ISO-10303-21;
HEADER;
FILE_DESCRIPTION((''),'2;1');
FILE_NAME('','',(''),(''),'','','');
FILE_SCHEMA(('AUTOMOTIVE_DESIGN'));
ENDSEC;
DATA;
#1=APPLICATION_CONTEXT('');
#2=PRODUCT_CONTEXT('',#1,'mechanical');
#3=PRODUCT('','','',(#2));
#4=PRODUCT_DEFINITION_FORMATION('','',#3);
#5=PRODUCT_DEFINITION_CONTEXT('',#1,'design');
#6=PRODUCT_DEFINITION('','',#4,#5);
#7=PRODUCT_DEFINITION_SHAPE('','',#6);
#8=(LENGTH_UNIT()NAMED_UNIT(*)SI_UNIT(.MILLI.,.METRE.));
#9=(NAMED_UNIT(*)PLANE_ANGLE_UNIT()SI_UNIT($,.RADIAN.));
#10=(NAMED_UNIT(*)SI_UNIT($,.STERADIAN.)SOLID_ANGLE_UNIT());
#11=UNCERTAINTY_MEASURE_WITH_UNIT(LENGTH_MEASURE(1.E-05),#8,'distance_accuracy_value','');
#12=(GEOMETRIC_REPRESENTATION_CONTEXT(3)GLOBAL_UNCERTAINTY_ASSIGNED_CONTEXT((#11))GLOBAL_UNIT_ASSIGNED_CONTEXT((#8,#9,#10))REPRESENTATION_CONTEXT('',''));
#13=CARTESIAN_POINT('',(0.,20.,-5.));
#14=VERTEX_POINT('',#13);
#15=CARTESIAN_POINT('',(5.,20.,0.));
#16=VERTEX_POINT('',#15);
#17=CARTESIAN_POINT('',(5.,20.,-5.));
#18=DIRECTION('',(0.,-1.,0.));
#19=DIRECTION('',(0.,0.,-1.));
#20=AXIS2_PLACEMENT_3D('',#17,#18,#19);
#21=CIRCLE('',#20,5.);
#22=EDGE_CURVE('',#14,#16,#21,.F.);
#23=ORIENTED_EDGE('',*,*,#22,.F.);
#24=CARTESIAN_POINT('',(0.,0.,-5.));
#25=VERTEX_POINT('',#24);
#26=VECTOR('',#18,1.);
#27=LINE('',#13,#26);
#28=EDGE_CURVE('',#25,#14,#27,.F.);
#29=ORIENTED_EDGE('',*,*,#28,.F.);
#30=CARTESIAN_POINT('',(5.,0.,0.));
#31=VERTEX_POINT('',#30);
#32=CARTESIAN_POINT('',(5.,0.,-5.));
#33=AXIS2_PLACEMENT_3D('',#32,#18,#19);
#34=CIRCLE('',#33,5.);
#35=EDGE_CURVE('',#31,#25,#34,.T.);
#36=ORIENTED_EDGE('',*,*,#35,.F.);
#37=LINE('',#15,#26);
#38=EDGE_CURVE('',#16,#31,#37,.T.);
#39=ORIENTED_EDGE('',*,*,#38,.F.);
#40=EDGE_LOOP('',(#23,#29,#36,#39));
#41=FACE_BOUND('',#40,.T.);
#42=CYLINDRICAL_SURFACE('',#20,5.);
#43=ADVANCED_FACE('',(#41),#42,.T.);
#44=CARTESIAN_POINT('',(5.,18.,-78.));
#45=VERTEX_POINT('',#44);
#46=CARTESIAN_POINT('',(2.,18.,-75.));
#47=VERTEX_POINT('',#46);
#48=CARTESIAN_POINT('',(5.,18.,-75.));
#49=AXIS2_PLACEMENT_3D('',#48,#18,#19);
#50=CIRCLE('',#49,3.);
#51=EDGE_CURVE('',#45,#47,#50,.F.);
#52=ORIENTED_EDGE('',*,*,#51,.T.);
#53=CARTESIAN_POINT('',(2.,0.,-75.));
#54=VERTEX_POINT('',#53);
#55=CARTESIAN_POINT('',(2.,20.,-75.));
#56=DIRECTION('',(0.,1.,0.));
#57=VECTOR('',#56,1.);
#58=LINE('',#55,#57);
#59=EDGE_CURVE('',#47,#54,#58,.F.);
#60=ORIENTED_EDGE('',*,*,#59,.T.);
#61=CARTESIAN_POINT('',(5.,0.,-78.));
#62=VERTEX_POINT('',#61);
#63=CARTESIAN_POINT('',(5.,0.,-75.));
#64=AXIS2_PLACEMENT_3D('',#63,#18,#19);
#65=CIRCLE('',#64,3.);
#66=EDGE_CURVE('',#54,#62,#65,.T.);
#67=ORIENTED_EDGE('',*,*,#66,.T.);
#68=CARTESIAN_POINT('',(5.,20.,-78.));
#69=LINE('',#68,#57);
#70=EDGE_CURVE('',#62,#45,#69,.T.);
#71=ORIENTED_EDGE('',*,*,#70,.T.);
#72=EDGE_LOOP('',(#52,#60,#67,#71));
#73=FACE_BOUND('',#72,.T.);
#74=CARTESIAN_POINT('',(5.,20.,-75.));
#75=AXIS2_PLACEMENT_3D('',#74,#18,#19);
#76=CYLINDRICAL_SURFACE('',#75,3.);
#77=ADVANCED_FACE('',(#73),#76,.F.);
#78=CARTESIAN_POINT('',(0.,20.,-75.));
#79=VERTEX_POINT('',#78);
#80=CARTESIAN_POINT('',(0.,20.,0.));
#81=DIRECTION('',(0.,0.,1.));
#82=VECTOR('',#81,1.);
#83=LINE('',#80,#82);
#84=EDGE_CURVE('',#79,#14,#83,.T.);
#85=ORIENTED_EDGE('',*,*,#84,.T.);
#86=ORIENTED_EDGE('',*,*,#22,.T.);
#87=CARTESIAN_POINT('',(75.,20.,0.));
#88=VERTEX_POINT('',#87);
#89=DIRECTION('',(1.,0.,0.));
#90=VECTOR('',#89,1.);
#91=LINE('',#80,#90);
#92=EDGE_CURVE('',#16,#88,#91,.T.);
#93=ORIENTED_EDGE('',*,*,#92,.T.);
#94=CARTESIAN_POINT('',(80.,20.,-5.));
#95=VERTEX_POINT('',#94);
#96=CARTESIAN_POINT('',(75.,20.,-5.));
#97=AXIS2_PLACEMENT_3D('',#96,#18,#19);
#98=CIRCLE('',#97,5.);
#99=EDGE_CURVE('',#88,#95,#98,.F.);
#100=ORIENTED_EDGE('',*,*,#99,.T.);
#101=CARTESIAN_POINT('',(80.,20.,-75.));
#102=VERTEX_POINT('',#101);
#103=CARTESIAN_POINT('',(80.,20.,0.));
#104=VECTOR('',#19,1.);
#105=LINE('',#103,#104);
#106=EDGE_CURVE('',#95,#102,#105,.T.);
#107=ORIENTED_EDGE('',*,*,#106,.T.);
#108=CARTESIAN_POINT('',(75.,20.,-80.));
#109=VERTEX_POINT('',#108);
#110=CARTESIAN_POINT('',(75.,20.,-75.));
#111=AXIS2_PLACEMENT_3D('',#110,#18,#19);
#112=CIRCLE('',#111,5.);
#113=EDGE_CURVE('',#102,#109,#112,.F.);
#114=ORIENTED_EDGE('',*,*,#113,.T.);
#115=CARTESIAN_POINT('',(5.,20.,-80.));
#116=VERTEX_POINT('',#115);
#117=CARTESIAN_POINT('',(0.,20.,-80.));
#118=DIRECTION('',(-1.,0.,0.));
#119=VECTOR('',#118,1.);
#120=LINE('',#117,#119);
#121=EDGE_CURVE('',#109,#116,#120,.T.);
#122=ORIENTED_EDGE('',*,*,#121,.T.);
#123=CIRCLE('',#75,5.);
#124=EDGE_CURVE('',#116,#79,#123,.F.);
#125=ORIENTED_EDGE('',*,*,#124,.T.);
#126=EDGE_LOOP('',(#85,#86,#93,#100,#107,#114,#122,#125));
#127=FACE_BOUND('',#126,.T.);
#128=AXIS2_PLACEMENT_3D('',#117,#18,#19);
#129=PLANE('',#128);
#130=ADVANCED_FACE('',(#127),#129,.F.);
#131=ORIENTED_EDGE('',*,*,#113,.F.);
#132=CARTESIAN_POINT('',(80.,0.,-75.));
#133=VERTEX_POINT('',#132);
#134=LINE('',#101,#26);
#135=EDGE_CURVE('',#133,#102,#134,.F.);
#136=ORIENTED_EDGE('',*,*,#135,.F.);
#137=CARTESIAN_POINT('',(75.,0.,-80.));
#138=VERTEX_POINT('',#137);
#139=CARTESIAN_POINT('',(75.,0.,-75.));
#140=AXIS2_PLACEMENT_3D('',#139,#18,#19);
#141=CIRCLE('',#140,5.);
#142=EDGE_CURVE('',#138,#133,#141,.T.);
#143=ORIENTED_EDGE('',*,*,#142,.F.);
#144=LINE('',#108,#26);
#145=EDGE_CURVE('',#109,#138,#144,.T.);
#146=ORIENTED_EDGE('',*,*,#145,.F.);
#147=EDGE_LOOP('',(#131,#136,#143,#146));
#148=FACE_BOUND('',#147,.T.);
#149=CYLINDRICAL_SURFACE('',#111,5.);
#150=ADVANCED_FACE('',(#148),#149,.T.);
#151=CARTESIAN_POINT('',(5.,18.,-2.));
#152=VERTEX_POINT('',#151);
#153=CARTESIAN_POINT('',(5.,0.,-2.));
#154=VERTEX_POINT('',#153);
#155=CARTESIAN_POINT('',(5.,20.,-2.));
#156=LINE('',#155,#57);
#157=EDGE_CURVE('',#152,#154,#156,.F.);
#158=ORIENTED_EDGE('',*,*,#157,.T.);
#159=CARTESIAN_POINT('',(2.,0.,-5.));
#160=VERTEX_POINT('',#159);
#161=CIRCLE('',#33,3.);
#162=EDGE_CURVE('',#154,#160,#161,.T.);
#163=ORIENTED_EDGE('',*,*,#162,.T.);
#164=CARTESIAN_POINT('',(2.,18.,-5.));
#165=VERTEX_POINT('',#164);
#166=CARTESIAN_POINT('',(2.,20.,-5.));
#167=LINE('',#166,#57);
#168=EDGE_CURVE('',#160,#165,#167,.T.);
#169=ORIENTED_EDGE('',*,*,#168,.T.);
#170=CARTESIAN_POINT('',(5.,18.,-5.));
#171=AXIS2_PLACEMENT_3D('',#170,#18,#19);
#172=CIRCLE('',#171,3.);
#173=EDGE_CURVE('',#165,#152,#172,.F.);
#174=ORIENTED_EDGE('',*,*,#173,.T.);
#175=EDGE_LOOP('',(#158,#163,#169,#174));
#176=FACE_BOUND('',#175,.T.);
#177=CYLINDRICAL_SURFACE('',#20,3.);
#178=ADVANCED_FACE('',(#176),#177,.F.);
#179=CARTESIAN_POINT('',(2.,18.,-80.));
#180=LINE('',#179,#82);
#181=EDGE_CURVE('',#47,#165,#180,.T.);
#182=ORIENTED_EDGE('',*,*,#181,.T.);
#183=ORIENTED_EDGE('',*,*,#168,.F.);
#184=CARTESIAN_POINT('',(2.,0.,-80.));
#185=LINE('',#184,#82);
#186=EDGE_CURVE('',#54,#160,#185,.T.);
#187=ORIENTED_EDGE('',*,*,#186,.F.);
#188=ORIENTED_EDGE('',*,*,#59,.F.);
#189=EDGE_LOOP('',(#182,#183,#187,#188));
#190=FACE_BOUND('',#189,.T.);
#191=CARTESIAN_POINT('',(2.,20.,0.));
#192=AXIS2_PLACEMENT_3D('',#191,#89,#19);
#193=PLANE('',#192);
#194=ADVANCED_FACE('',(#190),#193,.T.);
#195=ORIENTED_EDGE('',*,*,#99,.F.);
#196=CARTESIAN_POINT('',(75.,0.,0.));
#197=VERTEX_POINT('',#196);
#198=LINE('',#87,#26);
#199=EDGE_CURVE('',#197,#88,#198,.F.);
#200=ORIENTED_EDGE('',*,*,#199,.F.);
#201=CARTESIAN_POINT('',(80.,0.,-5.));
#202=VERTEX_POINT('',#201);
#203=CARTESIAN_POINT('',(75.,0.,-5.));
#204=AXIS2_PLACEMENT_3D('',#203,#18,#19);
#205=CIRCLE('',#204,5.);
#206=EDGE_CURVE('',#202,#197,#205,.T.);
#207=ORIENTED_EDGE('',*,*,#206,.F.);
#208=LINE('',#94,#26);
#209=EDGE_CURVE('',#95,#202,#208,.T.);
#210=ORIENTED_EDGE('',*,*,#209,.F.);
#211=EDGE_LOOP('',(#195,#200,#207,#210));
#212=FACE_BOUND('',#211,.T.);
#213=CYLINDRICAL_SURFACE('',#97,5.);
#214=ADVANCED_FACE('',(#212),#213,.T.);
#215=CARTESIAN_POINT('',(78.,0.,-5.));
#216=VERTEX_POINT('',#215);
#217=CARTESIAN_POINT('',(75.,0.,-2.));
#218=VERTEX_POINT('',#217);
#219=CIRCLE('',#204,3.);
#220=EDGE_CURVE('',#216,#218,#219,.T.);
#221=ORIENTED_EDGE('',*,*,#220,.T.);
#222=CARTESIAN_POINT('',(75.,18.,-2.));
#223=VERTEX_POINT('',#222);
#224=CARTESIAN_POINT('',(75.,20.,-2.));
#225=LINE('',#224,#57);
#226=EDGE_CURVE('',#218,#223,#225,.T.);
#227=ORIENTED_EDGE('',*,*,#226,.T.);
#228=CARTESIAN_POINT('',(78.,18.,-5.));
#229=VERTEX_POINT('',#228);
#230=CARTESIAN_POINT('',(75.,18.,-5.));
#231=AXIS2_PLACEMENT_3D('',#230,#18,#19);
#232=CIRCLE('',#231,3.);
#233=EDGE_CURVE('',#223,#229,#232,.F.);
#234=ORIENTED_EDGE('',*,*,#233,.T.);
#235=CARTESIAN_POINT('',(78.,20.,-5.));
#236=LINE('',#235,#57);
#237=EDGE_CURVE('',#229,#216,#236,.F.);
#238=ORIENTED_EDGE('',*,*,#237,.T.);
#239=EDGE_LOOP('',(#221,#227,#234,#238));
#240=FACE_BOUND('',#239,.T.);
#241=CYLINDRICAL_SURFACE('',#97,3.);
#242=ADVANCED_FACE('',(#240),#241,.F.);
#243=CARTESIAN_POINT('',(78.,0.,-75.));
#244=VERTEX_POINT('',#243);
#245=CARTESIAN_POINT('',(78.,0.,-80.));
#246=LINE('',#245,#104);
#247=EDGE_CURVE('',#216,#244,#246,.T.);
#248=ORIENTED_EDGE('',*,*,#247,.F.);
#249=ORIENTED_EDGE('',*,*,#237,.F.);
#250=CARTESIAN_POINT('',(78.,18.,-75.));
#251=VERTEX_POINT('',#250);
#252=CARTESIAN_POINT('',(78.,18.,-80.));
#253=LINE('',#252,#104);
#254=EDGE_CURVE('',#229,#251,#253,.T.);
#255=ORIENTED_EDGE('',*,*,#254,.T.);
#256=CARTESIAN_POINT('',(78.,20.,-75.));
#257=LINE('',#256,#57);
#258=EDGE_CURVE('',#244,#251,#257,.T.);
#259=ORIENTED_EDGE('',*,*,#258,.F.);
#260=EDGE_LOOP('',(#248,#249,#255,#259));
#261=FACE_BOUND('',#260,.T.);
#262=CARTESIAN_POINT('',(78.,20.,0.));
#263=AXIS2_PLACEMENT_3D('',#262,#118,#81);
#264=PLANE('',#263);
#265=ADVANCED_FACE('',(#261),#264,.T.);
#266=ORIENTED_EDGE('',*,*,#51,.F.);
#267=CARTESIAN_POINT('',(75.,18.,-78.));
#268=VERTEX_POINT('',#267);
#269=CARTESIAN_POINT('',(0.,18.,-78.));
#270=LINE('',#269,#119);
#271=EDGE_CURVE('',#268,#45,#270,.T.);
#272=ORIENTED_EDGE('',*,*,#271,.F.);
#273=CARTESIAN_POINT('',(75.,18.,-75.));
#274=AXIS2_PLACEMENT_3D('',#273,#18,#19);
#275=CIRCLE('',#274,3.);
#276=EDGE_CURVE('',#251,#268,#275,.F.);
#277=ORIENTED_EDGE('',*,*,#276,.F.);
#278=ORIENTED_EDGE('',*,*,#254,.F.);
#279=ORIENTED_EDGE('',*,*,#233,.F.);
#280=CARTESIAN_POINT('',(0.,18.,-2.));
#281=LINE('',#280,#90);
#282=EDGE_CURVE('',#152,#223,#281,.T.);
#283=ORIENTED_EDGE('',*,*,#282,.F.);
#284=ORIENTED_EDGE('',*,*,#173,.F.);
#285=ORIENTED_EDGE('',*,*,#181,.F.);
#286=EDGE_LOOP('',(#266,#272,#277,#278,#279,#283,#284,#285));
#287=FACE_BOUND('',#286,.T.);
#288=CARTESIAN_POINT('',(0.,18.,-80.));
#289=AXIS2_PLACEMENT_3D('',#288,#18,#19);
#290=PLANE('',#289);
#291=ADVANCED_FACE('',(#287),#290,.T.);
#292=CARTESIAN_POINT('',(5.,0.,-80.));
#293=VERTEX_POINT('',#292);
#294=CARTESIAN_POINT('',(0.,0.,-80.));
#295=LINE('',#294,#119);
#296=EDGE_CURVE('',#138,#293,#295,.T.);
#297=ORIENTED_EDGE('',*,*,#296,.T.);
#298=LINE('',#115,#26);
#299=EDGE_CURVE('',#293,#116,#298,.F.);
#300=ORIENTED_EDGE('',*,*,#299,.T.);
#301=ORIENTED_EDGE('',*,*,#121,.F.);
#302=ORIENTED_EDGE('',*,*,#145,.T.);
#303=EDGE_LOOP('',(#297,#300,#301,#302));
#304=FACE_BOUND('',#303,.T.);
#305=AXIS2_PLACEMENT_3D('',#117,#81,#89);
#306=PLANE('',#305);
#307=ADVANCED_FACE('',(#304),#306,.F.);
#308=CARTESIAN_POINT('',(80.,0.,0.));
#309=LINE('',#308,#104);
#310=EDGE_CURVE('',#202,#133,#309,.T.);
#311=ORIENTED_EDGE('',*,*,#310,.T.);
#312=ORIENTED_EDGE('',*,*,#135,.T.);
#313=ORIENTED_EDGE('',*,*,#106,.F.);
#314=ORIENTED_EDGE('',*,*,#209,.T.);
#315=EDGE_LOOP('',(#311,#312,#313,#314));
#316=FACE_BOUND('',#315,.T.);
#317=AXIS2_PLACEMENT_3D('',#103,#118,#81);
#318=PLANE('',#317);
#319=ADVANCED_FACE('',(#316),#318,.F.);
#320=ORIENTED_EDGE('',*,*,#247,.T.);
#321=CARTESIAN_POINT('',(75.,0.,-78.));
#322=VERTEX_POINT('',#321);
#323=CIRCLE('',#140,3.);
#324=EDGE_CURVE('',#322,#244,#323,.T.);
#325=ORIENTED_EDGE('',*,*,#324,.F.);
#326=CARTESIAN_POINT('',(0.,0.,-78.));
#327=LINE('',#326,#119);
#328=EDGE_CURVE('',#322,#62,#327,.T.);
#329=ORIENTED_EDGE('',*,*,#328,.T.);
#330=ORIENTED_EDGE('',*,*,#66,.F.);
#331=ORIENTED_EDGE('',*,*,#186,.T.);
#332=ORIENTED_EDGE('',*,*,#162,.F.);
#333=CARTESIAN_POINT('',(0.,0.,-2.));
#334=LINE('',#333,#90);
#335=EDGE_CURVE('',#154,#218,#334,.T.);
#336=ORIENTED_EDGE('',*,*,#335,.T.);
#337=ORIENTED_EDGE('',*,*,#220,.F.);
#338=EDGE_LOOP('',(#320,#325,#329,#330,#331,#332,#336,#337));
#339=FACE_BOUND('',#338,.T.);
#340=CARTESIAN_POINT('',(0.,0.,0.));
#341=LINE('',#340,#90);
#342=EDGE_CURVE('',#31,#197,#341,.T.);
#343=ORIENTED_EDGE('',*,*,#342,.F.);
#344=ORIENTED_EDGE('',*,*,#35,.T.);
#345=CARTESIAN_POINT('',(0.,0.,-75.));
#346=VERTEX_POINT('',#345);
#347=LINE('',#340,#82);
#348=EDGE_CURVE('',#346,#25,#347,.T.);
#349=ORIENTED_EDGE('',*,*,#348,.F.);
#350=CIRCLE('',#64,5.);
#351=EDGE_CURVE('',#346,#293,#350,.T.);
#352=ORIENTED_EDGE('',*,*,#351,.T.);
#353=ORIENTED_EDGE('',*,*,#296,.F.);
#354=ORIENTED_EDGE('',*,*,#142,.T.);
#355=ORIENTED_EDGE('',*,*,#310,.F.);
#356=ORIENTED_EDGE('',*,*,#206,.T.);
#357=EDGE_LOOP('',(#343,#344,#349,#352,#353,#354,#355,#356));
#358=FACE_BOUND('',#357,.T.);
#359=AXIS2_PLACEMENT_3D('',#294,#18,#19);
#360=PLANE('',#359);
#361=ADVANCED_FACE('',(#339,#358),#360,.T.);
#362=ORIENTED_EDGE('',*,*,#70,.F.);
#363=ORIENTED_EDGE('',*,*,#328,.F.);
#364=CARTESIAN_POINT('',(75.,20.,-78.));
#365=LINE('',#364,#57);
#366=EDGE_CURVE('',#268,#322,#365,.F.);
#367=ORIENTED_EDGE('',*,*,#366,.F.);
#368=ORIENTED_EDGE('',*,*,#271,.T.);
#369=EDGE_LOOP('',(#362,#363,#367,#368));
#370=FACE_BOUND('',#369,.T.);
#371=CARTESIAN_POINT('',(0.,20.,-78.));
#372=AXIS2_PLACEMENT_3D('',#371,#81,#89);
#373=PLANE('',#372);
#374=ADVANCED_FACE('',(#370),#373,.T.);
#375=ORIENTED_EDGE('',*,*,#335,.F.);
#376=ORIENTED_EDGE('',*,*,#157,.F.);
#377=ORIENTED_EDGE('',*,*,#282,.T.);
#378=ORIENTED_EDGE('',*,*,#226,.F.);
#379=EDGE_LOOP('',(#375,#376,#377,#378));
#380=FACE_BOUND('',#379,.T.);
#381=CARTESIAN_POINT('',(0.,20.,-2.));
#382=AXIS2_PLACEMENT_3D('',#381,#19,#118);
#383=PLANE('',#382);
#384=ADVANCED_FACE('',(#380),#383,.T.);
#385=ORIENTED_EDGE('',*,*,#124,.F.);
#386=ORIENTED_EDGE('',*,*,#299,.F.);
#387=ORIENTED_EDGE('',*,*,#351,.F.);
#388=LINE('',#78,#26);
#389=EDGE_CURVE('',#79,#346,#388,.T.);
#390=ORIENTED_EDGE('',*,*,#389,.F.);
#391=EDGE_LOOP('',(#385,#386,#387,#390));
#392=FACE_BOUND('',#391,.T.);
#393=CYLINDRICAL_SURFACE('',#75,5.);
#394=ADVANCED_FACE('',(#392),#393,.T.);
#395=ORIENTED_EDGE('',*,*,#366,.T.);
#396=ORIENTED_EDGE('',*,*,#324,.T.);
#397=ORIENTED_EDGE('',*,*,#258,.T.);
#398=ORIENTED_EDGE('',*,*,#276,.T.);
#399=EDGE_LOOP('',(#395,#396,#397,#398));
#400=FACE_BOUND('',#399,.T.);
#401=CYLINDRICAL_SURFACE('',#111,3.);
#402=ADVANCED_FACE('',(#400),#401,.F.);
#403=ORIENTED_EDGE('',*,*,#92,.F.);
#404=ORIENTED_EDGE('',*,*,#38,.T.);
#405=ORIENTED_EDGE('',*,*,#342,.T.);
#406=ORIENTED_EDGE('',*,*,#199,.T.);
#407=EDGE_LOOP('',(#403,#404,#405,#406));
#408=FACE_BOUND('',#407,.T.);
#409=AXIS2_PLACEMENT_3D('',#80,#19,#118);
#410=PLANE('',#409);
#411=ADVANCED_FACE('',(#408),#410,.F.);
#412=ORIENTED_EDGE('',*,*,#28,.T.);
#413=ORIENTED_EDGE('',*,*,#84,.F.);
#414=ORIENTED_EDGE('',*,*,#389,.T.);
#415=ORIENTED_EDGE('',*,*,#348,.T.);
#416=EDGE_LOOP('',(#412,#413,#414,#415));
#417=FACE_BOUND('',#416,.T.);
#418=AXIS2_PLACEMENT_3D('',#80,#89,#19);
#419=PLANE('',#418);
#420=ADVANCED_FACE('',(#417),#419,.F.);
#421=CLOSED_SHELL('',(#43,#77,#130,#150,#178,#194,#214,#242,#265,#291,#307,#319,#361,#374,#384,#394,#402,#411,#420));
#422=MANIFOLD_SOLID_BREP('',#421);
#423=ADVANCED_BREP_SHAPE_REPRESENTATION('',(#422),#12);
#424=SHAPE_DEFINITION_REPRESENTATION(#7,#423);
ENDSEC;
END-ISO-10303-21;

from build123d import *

# Parameters (mm, degrees)
ESQUISSE1_W      = 80
ESQUISSE1_H      = 80
EXTRUSION1_DEPTH = 20
CONG_1_R         = 5
COQUE1_T         = -2


with BuildPart() as part:
    # Esquisse1 → Extrusion1 (new body)
    with BuildSketch(Plane(origin=(0, 0, 0), x_dir=(1, 0, 0), z_dir=(0, 1, 0))):
        with Locations((40, 40)):
            Rectangle(ESQUISSE1_W, ESQUISSE1_H)
    extrude(amount=EXTRUSION1_DEPTH)

    # Congé1
    cong_1_edges = [part.edges().sort_by_distance(p)[0] for p in [
        (0, 10, -80),
        (80, 10, -80),
        (80, 10, 0),
        (0, 10, 0),
    ]]
    fillet(cong_1_edges, radius=CONG_1_R)

    # Coque1
    coque1_openings = [part.faces().sort_by_distance(p)[0] for p in [
        (40, 0, -40),
    ]]
    offset(amount=COQUE1_T, openings=coque1_openings, kind=Kind.INTERSECTION)


solid = part.part
